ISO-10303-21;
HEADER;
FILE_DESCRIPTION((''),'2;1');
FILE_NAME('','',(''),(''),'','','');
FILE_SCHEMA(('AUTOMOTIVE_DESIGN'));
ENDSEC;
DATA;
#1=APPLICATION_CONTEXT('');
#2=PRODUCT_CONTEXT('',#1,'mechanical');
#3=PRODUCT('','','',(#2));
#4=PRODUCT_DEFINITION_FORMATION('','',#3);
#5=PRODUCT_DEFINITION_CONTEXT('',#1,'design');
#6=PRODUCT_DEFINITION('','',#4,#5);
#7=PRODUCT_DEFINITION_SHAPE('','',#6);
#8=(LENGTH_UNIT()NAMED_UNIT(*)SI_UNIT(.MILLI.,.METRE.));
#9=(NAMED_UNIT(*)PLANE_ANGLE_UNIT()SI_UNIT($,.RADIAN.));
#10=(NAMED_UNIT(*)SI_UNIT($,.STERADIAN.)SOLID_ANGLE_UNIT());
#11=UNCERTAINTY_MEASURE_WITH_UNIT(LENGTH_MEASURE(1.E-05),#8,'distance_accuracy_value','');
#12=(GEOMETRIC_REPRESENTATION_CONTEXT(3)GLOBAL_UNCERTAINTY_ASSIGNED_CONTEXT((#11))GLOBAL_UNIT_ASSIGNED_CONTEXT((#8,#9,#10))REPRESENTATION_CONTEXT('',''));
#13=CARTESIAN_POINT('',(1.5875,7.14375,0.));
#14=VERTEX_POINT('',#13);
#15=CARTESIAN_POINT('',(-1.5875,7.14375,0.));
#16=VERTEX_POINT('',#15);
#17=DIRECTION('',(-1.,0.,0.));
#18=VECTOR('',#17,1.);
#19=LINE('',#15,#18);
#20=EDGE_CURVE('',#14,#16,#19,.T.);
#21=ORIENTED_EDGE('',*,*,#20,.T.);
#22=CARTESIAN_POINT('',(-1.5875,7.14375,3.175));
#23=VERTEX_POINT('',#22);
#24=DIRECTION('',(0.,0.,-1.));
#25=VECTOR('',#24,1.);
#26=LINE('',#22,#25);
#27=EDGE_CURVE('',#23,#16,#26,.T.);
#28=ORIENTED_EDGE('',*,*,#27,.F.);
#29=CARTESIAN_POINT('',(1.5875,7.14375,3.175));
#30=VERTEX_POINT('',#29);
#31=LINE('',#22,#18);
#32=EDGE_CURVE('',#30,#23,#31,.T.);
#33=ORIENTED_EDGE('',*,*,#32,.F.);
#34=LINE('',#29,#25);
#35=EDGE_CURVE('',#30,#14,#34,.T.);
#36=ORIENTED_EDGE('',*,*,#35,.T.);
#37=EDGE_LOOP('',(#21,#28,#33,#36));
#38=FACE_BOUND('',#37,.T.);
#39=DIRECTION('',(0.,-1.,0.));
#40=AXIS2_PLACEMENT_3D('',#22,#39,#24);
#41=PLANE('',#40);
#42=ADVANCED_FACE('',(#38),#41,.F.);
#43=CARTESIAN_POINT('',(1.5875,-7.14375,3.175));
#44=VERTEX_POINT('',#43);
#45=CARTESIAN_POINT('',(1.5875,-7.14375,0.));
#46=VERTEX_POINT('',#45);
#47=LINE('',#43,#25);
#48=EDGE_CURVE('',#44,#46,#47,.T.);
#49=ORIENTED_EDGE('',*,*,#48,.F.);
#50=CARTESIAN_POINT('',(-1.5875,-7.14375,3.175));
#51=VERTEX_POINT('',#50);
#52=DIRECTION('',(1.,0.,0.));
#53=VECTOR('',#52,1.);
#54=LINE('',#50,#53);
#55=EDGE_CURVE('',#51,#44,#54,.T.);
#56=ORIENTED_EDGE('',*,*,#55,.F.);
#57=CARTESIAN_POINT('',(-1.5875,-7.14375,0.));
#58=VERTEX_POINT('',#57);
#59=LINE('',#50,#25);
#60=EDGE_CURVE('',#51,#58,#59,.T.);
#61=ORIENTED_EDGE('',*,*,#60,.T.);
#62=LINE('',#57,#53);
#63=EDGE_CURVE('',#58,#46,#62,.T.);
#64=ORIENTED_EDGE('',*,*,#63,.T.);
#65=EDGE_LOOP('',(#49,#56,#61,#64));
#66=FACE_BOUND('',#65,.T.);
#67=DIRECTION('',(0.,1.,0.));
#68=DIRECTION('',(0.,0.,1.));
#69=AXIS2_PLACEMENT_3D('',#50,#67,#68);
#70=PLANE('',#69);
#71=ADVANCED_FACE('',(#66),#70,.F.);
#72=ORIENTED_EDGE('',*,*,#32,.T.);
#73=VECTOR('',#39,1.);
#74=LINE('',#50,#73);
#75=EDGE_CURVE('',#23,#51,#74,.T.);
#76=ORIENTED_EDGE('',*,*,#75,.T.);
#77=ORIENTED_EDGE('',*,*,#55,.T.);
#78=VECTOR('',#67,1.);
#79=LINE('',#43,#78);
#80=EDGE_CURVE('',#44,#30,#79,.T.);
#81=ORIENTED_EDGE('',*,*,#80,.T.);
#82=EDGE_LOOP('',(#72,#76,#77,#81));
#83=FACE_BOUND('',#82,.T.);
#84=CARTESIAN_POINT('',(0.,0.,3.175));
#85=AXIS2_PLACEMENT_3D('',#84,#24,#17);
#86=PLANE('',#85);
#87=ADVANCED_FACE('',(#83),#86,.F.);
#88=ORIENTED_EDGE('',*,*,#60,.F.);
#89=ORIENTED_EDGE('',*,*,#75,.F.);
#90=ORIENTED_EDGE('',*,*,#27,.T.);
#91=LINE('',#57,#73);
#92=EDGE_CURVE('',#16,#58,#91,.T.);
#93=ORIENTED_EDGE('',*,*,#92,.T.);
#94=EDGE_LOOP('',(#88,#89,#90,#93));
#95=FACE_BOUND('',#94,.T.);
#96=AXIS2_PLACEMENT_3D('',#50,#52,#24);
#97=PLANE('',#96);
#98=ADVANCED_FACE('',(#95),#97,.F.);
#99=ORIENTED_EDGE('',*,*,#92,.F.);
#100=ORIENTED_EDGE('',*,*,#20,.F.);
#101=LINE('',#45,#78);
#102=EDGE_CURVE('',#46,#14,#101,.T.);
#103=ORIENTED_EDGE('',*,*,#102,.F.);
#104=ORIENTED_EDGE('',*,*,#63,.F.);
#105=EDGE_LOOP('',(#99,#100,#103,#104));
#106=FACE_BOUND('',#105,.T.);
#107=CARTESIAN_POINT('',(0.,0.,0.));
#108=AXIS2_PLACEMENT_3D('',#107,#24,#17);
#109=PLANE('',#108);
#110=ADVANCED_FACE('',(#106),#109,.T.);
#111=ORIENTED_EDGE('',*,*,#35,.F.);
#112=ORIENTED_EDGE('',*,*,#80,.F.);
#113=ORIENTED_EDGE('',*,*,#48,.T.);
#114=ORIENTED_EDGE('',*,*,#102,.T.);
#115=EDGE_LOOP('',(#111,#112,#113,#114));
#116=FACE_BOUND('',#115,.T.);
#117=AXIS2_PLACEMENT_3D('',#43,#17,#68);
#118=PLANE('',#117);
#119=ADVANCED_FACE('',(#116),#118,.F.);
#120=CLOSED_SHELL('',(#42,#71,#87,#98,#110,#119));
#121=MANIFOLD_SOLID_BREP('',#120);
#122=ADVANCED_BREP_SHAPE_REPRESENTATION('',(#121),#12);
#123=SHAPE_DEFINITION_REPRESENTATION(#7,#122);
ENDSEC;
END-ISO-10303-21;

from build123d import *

# Parameters (mm, degrees)
SKETCH2_W           = 3.175
SKETCH2_H           = 14.2875
BOSS_EXTRUDE1_DEPTH = 3.175


with BuildPart() as part:
    # Sketch2 → Boss-Extrude1 (new body)
    with BuildSketch(Plane.XY):
        Rectangle(SKETCH2_W, SKETCH2_H)
    extrude(amount=BOSS_EXTRUDE1_DEPTH)


solid = part.part
